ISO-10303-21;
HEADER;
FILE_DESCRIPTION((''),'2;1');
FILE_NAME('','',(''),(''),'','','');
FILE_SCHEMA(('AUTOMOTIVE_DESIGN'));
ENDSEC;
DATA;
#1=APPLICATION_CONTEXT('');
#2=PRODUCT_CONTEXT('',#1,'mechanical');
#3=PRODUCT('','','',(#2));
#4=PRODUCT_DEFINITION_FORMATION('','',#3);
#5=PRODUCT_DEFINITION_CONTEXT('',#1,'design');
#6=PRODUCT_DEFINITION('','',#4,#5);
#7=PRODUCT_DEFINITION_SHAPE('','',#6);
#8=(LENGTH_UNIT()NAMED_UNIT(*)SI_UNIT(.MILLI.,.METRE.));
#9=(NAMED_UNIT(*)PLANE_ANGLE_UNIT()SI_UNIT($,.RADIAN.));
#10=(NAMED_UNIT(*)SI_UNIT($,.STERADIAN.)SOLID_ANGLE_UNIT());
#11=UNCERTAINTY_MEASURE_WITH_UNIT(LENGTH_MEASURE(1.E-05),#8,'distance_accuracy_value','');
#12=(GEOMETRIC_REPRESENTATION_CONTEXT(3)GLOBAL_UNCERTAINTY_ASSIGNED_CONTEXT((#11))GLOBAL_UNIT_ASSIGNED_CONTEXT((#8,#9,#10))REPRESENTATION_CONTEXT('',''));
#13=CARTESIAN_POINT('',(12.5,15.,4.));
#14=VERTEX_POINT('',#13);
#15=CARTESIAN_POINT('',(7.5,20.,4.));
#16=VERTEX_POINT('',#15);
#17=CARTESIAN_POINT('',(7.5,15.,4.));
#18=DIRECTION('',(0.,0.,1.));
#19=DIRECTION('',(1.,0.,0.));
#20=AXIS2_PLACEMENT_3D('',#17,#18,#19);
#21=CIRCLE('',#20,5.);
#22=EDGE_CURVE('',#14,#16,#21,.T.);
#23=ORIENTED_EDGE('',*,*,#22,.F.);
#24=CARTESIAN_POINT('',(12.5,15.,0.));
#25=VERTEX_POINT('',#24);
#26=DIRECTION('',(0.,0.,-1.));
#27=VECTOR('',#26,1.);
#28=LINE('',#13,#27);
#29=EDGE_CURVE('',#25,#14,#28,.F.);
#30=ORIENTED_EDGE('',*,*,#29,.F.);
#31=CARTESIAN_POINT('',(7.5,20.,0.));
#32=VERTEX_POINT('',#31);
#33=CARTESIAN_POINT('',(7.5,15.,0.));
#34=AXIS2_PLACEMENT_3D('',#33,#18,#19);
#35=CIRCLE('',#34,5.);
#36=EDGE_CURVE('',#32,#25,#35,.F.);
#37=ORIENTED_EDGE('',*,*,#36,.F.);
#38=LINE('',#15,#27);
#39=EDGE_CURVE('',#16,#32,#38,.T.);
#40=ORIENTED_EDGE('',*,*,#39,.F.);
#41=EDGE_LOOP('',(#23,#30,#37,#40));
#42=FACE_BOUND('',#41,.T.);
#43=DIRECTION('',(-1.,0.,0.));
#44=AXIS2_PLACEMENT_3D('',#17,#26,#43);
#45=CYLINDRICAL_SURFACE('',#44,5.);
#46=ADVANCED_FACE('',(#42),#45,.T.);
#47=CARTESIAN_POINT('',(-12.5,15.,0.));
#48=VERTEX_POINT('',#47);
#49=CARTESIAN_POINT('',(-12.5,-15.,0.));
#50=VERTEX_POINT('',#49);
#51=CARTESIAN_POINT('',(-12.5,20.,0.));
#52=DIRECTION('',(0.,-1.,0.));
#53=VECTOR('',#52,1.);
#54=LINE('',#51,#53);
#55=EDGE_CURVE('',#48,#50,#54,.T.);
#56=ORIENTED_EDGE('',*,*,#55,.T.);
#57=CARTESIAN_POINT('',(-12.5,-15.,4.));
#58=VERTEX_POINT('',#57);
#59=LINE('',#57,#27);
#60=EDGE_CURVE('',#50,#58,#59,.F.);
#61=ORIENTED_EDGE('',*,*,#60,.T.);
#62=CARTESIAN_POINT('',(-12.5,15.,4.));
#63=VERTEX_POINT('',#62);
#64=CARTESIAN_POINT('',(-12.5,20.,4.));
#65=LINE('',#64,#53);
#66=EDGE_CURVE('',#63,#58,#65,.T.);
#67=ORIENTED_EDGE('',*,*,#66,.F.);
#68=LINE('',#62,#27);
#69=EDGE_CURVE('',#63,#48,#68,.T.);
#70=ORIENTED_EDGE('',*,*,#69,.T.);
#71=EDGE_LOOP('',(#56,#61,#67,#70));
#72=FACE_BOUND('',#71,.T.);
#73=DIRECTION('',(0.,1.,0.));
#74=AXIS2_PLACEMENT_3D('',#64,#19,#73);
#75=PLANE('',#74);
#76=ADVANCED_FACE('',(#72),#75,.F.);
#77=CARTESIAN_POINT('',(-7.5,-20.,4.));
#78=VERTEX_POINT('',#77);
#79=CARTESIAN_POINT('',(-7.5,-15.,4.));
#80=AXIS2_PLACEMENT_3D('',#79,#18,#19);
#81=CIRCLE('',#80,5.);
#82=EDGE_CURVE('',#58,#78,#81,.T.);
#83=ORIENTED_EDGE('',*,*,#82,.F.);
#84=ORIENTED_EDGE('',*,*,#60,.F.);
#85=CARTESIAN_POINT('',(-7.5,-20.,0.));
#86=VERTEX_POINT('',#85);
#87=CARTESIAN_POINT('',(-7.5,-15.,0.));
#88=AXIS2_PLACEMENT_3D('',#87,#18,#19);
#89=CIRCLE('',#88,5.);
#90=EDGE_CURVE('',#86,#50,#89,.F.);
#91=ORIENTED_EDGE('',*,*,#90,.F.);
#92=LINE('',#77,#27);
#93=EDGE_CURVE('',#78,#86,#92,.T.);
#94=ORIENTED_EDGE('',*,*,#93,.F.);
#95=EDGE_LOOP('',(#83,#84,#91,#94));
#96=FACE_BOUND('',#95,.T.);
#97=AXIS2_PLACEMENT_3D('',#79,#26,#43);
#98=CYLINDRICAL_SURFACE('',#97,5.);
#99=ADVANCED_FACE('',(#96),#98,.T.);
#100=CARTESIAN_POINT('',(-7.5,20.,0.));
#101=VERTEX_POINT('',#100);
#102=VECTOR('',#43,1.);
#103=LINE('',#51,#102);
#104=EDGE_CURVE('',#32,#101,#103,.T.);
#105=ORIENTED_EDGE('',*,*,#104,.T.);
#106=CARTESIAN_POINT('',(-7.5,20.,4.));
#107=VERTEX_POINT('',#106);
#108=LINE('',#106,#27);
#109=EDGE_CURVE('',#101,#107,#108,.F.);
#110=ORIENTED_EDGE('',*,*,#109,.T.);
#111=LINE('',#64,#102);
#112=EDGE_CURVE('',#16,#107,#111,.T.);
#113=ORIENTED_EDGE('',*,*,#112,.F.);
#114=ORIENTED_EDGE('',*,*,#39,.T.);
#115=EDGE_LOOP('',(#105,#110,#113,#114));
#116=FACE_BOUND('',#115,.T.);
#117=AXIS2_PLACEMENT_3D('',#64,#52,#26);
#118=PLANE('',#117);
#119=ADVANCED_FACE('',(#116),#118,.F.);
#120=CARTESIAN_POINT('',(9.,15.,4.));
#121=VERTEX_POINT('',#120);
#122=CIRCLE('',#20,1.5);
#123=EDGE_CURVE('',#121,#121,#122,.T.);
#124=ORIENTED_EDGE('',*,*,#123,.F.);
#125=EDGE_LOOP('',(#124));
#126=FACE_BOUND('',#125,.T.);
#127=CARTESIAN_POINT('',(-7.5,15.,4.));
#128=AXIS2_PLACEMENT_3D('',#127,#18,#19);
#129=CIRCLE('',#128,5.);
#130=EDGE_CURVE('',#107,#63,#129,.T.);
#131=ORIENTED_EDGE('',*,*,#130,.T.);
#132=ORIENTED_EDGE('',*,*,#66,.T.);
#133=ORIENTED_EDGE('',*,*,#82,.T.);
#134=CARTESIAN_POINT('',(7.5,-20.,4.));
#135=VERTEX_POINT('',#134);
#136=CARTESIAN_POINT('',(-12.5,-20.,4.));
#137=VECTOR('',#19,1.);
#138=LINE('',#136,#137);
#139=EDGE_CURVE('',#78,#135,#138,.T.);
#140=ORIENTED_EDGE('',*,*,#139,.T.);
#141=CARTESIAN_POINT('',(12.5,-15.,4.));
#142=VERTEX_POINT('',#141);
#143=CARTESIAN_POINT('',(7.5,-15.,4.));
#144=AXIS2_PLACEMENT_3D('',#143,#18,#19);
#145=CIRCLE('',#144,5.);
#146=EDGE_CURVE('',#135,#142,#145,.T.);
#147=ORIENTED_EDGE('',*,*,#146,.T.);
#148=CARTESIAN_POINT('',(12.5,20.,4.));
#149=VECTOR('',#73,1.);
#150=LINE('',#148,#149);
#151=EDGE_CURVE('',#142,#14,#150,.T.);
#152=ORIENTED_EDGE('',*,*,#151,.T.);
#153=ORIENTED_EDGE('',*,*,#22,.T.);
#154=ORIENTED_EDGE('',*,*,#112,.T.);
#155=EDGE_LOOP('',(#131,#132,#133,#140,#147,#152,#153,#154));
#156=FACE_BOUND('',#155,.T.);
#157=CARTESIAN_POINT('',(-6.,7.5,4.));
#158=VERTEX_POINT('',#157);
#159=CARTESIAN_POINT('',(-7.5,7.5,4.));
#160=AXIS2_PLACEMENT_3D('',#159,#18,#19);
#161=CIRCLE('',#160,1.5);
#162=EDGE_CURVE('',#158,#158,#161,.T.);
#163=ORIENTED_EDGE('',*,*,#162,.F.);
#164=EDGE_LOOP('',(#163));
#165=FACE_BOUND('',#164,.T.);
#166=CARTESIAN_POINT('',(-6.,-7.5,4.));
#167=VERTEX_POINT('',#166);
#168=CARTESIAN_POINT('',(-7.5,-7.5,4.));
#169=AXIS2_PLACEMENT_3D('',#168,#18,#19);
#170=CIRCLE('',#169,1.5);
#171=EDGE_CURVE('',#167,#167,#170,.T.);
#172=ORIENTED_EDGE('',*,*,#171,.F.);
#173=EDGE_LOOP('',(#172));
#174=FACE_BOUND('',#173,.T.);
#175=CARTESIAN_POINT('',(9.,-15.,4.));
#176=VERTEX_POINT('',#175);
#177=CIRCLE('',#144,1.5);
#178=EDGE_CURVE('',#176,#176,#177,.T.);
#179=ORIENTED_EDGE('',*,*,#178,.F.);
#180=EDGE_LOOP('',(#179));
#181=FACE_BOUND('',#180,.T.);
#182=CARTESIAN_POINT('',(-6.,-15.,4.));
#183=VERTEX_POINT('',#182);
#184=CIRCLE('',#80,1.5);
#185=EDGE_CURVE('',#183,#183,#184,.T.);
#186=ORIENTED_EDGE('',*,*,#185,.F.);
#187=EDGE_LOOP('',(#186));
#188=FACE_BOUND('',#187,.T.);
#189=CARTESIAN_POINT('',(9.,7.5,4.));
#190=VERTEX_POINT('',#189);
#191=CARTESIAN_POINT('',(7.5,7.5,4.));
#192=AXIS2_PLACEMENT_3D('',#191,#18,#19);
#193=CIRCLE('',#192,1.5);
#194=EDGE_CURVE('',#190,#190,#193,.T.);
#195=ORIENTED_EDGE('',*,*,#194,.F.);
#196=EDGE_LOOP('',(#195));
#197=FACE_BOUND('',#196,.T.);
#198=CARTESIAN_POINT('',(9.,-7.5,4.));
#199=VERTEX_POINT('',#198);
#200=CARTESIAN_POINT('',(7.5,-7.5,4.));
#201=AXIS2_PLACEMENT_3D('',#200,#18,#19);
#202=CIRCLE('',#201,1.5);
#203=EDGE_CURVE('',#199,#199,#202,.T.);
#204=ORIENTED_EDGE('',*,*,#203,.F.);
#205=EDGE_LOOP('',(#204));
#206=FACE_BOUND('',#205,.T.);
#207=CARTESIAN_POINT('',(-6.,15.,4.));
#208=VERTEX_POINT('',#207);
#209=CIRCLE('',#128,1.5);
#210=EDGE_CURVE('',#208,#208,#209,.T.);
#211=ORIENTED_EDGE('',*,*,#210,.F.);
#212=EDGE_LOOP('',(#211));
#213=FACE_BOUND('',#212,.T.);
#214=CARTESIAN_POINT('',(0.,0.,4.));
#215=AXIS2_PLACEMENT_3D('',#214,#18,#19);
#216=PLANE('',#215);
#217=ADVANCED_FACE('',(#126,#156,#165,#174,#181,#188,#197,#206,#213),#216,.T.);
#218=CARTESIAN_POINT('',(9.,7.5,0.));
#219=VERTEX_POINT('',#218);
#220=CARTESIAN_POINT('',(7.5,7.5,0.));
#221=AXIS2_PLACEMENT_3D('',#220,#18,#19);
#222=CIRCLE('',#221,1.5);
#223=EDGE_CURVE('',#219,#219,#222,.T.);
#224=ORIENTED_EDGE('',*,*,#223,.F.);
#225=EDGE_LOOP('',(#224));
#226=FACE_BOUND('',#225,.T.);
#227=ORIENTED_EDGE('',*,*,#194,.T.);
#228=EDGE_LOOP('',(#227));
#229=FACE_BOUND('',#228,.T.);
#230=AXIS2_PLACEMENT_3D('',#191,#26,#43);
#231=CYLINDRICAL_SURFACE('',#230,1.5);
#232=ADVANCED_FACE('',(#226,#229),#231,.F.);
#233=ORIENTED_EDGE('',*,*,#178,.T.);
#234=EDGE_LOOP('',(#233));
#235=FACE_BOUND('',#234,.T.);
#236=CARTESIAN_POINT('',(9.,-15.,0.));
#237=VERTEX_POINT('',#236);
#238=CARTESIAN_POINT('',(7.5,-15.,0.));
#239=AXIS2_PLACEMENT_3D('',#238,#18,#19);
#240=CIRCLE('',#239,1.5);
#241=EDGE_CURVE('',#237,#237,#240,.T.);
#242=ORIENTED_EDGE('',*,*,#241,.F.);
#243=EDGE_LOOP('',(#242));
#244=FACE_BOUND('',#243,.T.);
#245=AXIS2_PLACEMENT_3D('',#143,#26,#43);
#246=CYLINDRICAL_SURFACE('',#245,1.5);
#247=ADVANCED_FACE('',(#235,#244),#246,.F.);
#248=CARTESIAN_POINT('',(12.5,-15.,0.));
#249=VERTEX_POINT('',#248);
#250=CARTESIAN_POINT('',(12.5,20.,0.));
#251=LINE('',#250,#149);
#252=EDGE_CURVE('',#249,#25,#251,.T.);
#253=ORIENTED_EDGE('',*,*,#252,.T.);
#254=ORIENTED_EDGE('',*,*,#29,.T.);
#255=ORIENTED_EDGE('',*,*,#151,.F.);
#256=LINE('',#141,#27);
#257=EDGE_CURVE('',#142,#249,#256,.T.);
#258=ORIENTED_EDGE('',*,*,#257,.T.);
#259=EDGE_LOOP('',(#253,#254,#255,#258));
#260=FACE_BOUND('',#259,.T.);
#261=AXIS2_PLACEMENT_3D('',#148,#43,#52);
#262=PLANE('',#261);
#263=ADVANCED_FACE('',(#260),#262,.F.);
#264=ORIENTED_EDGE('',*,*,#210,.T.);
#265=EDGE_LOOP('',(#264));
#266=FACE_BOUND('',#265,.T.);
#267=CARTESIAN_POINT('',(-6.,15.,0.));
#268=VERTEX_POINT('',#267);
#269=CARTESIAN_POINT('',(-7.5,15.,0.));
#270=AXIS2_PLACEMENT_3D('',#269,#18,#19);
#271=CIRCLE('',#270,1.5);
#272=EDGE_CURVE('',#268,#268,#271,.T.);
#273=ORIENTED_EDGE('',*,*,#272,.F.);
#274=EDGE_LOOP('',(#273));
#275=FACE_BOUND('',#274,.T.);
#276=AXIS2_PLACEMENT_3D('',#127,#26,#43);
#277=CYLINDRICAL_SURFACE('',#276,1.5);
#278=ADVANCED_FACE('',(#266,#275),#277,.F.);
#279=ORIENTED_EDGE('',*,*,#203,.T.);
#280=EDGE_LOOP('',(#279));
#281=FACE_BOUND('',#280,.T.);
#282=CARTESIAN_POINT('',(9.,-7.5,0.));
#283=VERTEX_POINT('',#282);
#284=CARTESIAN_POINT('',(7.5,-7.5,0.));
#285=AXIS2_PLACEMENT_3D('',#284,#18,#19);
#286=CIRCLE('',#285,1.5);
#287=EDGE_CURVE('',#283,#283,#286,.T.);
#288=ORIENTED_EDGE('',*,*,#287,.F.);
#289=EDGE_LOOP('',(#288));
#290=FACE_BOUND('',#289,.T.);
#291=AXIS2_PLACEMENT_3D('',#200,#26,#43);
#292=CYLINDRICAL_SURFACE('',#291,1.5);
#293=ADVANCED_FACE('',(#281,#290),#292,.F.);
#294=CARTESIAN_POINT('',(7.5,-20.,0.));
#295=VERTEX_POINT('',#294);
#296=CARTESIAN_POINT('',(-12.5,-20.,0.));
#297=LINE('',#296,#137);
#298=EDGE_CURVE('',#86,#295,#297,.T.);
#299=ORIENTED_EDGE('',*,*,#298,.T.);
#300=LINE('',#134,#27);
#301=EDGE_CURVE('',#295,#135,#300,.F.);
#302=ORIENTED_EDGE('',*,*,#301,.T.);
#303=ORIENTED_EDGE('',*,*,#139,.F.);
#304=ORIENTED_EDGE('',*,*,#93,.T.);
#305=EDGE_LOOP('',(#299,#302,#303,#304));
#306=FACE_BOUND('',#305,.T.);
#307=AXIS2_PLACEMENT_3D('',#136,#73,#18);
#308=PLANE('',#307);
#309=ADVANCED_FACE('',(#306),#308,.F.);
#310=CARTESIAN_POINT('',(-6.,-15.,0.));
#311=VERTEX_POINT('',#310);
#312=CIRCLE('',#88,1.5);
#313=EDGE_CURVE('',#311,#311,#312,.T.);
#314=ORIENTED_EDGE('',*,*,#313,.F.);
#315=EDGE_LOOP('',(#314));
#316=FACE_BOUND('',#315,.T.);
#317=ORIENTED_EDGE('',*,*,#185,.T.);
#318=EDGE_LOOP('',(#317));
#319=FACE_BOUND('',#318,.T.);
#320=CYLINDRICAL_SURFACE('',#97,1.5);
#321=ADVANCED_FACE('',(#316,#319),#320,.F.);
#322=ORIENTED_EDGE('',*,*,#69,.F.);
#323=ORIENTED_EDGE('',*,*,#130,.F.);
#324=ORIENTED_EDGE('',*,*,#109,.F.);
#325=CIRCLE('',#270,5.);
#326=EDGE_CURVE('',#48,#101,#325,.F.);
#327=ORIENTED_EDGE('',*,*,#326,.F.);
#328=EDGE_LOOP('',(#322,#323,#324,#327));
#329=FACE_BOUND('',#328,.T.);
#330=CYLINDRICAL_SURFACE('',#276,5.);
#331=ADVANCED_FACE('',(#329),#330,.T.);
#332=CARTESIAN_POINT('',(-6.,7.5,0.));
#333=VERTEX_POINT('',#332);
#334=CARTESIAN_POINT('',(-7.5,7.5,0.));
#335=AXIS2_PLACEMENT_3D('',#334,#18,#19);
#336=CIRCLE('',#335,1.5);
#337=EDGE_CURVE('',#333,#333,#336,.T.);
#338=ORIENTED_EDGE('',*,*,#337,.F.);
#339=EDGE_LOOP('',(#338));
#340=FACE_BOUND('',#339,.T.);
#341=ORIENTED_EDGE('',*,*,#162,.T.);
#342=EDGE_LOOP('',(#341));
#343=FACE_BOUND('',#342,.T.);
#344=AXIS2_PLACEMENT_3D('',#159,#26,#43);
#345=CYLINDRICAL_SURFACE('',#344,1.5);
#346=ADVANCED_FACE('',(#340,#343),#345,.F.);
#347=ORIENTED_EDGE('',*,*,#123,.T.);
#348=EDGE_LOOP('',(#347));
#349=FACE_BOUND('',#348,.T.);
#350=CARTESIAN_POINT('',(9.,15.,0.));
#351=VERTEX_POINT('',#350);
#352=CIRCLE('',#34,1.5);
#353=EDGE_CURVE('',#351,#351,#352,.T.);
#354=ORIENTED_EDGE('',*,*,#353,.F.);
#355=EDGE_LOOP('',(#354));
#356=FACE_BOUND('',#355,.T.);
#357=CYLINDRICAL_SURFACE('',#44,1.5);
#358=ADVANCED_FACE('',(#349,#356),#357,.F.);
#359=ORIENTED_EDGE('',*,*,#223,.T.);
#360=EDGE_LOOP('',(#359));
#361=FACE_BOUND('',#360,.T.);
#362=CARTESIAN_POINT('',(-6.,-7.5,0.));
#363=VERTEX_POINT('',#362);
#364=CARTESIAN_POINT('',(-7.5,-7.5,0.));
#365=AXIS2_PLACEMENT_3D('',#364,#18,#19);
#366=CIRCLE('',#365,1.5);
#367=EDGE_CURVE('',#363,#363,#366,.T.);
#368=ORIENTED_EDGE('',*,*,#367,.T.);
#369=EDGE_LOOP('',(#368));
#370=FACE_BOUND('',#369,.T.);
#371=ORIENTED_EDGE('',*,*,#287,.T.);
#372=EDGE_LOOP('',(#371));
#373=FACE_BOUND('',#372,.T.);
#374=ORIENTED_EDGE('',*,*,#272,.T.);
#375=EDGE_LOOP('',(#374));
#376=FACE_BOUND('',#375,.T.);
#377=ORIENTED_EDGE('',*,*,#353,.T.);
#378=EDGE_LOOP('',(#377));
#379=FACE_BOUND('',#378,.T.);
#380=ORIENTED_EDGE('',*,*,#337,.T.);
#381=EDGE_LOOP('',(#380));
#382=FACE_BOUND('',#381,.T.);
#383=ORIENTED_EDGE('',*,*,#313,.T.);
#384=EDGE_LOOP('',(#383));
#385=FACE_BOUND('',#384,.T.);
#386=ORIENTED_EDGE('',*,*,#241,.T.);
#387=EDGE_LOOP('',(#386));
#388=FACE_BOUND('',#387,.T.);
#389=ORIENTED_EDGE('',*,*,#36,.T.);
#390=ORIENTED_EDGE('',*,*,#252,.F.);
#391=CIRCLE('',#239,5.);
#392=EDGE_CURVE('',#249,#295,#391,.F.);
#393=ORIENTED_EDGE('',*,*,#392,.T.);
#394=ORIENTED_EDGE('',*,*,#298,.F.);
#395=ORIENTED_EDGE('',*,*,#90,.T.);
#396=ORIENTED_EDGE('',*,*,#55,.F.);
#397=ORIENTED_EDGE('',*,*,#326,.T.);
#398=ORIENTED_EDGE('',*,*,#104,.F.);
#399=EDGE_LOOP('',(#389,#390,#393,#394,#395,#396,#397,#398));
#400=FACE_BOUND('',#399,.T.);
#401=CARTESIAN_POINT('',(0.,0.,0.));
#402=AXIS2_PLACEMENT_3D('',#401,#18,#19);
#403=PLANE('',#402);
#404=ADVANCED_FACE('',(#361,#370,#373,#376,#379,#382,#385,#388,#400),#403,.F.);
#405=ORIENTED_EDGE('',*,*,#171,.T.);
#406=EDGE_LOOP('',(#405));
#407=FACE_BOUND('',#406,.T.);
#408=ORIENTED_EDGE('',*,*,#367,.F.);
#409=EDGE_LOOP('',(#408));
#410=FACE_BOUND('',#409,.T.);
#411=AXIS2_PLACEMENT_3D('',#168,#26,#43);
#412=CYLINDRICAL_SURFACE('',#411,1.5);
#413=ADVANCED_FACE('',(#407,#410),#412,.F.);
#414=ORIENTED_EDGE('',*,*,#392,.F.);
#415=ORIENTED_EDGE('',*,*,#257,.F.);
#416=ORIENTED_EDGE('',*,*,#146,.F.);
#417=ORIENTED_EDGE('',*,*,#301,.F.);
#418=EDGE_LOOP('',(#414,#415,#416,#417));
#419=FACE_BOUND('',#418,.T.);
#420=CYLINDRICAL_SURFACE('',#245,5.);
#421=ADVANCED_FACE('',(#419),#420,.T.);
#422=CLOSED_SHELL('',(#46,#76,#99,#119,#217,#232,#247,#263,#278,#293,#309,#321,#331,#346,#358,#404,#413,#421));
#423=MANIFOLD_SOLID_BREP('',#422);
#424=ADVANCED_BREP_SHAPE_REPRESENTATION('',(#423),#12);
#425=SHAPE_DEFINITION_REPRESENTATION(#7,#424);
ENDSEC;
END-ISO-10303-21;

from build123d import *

# Parameters (mm, degrees)
SKETCH_1_W      = 25
SKETCH_1_H      = 40
SKETCH_1_R      = 1.5
EXTRUDE_1_DEPTH = 4
FILLET_1_R      = 5


with BuildPart() as part:
    # 草图1 → 凸台-拉伸1 (new body)
    with BuildSketch(Plane.XY):
        Rectangle(SKETCH_1_W, SKETCH_1_H)
        with Locations((-7.5, 15)):
            Circle(SKETCH_1_R, mode=Mode.SUBTRACT)
        with Locations((7.5, 15)):
            Circle(SKETCH_1_R, mode=Mode.SUBTRACT)
        with Locations((-7.5, -15)):
            Circle(SKETCH_1_R, mode=Mode.SUBTRACT)
        with Locations((7.5, -15)):
            Circle(SKETCH_1_R, mode=Mode.SUBTRACT)
        with Locations((-7.5, 7.5)):
            Circle(SKETCH_1_R, mode=Mode.SUBTRACT)
        with Locations((7.5, 7.5)):
            Circle(SKETCH_1_R, mode=Mode.SUBTRACT)
        with Locations((7.5, -7.5)):
            Circle(SKETCH_1_R, mode=Mode.SUBTRACT)
        with Locations((-7.5, -7.5)):
            Circle(SKETCH_1_R, mode=Mode.SUBTRACT)
    extrude(amount=EXTRUDE_1_DEPTH)

    # 圆角1
    fillet_1_edges = [part.edges().sort_by_distance(p)[0] for p in [
        (12.5, -20, 2),
        (-12.5, -20, 2),
        (-12.5, 20, 2),
        (12.5, 20, 2),
    ]]
    fillet(fillet_1_edges, radius=FILLET_1_R)


solid = part.part
